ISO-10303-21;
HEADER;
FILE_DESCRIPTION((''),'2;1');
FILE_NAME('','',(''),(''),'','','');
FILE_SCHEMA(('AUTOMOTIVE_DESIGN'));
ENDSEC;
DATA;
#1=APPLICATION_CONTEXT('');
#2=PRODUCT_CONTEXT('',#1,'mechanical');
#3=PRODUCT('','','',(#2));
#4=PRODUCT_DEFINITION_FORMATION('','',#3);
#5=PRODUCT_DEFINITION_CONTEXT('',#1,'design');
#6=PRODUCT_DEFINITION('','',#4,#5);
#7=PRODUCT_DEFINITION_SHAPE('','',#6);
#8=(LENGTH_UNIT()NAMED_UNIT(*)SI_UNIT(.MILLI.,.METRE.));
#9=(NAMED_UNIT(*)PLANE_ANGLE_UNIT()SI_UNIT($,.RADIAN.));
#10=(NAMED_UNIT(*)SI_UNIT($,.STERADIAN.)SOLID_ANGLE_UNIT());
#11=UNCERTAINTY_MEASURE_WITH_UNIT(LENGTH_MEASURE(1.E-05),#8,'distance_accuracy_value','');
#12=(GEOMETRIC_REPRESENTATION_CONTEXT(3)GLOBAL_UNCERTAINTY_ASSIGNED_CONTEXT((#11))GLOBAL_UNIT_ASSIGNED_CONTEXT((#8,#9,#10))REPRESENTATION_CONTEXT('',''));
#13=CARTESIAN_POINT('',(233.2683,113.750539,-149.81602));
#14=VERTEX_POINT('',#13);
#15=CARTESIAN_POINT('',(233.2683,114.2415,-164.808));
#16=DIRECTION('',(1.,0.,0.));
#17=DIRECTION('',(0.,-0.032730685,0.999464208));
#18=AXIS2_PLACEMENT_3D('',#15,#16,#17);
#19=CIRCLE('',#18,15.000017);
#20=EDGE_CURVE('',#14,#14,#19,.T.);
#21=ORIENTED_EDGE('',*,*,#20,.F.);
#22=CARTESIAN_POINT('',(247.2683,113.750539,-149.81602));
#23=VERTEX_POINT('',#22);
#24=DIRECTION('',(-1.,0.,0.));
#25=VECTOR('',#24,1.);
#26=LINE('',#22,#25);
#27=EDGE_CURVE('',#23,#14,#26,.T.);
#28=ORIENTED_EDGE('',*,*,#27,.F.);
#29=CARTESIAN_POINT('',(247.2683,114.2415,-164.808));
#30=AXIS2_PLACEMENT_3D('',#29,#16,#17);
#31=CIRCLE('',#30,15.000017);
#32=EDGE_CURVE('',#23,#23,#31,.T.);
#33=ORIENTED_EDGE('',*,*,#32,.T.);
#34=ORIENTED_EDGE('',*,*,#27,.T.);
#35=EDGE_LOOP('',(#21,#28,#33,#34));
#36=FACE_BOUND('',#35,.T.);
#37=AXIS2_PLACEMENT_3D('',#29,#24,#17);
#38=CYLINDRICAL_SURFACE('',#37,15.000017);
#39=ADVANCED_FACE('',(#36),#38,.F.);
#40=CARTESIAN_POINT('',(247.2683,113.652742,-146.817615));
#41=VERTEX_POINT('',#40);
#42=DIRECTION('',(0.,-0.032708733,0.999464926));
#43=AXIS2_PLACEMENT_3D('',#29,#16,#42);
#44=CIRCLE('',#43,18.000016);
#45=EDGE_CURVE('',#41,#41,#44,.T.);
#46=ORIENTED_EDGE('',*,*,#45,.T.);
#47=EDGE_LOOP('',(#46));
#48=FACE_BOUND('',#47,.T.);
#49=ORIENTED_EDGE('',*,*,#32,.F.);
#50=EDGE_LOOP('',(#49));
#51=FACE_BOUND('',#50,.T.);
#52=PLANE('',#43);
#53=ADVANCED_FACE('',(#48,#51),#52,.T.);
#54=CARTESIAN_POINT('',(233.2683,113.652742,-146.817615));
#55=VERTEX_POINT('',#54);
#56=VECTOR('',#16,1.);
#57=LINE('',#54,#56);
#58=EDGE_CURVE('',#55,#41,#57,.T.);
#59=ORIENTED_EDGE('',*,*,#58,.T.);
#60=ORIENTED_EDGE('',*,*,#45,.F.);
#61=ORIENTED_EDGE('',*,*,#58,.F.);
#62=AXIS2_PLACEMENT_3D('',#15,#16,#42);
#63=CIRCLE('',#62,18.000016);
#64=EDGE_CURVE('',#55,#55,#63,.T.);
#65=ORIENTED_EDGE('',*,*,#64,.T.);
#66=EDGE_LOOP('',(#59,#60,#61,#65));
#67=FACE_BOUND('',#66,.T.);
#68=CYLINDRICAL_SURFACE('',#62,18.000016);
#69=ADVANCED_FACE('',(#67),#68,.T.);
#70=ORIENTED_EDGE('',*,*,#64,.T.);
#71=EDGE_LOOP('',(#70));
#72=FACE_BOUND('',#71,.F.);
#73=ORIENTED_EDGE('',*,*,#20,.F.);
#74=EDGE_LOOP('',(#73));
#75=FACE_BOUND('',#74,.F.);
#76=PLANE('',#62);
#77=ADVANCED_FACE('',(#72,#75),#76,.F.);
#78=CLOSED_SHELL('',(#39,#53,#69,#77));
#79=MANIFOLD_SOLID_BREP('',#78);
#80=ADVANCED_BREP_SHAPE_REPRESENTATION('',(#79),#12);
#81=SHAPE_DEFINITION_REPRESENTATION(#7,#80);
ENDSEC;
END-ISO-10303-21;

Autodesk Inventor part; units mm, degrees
ref_plane "YZ Plane" through (0, 0, 0) normal (1, 0, 0) x (0, 1, 0)
ref_plane "XZ Plane" through (0, 0, 0) normal (0, 1, 0) x (-1, 0, 0)
ref_plane "XY Plane" through (0, 0, 0) normal (0, 0, 1) x (1, 0, 0)
ref_plane "工作平面1" through (-9.0747, 111.0101, -65.7955) normal (0, 0.9995, 0.0326) x (-1, 0, 0)
sketch "草图1" plane through (-9.0747, 111.0101, -65.7955) normal (0, 0.9995, 0.0326) x (-1, 0, 0)
  line L0 (-242.343, -78.4652) -> (-242.343, -119.6652) projected
  line L1 (-256.343, -114.0652) -> (-256.343, -84.0652) projected
  line L2 (-258.343, -119.0652) -> (-258.343, -79.0652) projected
  line L3 (-256.343, 15) -> (-95.5, 15) construction
  line L4 (-256.343, -15) -> (-95.5, -15)
  line L5 (-242.343, -81.0652) -> (-256.343, -81.0652)
  line L6 (-256.343, -81.0652) -> (-256.343, -84.0652)
  line L7 (-256.343, -84.0652) -> (-242.343, -84.0652)
  line L8 (-242.343, -84.0652) -> (-242.343, -81.0652)
  line L9 (-242.343, -99.0652) -> (-256.343, -99.0652) construction
  line L10 (-242.343, -99.0652) -> (-256.343, -99.0652)
  point P0 (-9.0747, 69.3815)
  point P1 (-95.5, -15)
  point P2 (-249.343, -99.0652)
  point P3 (-242.343, -84.0652)
  dimension "d0" = 18
revolve "旋转1" add sketch "草图1" angle 360 about axis through (233.2683, 114.2415, -164.808) along (1, 0, 0) contours L0 L7 L6 L5
properties part number "高速轴套筒1" material "钢，软"
